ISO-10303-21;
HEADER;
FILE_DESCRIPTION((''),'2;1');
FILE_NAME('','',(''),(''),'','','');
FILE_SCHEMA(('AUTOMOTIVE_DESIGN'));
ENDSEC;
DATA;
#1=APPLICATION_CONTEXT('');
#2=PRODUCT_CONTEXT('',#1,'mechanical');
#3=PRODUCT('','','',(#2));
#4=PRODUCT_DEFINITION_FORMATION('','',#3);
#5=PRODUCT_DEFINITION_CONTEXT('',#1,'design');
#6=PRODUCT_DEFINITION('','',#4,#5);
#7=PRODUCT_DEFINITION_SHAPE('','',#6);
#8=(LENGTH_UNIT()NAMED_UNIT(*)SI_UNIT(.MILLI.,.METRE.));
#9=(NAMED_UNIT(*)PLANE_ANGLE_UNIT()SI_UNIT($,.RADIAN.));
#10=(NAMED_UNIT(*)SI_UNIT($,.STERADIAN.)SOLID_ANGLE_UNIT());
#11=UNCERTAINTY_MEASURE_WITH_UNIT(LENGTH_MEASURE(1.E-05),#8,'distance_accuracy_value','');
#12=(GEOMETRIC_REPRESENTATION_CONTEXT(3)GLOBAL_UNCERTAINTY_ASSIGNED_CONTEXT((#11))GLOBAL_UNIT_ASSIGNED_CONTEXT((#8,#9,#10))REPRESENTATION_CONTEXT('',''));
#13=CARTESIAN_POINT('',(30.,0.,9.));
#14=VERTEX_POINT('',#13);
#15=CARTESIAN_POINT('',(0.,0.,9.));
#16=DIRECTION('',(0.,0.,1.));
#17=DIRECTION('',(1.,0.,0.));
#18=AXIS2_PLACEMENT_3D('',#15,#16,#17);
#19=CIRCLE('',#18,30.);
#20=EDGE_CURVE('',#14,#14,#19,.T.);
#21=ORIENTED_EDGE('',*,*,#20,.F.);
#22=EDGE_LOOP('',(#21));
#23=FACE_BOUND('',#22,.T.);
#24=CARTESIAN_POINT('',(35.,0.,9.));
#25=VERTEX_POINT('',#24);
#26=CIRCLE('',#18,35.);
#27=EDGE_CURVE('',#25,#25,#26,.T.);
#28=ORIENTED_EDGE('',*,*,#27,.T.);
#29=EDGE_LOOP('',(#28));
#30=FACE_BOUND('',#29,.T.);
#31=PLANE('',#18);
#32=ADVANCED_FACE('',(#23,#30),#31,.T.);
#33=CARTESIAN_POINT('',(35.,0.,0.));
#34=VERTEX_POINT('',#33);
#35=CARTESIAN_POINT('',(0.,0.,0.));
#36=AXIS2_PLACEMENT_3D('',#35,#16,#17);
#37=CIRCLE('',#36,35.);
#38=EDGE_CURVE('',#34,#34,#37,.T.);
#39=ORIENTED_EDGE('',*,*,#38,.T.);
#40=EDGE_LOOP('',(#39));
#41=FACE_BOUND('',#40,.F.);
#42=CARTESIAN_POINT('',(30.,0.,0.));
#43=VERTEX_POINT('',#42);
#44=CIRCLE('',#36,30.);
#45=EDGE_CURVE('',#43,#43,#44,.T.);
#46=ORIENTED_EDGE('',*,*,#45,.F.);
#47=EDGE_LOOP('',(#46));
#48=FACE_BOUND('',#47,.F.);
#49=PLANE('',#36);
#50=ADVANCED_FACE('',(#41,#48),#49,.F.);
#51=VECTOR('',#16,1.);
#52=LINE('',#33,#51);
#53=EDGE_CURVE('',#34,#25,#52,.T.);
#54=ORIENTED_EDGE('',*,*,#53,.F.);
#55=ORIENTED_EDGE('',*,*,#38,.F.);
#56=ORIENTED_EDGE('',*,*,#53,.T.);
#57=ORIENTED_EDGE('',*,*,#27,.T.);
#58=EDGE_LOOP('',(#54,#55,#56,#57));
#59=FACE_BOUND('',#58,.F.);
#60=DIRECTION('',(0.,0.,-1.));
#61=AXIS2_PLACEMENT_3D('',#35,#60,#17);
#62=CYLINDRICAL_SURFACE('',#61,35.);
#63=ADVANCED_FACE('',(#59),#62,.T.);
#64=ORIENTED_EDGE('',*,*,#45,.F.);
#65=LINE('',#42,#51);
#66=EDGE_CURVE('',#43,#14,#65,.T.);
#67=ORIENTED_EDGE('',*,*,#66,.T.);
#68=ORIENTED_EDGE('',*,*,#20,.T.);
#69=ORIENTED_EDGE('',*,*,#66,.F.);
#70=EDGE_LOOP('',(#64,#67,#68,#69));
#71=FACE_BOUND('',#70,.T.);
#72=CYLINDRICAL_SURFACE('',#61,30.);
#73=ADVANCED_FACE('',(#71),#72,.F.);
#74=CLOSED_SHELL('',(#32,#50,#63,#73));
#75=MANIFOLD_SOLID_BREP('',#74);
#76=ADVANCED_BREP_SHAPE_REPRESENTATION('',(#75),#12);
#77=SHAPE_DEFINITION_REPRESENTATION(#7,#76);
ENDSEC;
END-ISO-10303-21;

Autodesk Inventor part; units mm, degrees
ref_plane "YZ Plane" through (0, 0, 0) normal (1, 0, 0) x (0, 1, 0)
ref_plane "XZ Plane" through (0, 0, 0) normal (0, 1, 0) x (-1, 0, 0)
ref_plane "XY Plane" through (0, 0, 0) normal (0, 0, 1) x (1, 0, 0)
sketch "スケッチ1" plane through (0, 0, 0) normal (0, 0, 1) x (1, 0, 0)
  circle A0 centre (0, 0) radius 35
  circle A1 centre (0, 0) radius 30
  dimension "d0" = 70
  dimension "d1" = 5
extrude "押し出し1" add sketch "スケッチ1" along normal blind 9
properties part number "tire" material "ゴム"
